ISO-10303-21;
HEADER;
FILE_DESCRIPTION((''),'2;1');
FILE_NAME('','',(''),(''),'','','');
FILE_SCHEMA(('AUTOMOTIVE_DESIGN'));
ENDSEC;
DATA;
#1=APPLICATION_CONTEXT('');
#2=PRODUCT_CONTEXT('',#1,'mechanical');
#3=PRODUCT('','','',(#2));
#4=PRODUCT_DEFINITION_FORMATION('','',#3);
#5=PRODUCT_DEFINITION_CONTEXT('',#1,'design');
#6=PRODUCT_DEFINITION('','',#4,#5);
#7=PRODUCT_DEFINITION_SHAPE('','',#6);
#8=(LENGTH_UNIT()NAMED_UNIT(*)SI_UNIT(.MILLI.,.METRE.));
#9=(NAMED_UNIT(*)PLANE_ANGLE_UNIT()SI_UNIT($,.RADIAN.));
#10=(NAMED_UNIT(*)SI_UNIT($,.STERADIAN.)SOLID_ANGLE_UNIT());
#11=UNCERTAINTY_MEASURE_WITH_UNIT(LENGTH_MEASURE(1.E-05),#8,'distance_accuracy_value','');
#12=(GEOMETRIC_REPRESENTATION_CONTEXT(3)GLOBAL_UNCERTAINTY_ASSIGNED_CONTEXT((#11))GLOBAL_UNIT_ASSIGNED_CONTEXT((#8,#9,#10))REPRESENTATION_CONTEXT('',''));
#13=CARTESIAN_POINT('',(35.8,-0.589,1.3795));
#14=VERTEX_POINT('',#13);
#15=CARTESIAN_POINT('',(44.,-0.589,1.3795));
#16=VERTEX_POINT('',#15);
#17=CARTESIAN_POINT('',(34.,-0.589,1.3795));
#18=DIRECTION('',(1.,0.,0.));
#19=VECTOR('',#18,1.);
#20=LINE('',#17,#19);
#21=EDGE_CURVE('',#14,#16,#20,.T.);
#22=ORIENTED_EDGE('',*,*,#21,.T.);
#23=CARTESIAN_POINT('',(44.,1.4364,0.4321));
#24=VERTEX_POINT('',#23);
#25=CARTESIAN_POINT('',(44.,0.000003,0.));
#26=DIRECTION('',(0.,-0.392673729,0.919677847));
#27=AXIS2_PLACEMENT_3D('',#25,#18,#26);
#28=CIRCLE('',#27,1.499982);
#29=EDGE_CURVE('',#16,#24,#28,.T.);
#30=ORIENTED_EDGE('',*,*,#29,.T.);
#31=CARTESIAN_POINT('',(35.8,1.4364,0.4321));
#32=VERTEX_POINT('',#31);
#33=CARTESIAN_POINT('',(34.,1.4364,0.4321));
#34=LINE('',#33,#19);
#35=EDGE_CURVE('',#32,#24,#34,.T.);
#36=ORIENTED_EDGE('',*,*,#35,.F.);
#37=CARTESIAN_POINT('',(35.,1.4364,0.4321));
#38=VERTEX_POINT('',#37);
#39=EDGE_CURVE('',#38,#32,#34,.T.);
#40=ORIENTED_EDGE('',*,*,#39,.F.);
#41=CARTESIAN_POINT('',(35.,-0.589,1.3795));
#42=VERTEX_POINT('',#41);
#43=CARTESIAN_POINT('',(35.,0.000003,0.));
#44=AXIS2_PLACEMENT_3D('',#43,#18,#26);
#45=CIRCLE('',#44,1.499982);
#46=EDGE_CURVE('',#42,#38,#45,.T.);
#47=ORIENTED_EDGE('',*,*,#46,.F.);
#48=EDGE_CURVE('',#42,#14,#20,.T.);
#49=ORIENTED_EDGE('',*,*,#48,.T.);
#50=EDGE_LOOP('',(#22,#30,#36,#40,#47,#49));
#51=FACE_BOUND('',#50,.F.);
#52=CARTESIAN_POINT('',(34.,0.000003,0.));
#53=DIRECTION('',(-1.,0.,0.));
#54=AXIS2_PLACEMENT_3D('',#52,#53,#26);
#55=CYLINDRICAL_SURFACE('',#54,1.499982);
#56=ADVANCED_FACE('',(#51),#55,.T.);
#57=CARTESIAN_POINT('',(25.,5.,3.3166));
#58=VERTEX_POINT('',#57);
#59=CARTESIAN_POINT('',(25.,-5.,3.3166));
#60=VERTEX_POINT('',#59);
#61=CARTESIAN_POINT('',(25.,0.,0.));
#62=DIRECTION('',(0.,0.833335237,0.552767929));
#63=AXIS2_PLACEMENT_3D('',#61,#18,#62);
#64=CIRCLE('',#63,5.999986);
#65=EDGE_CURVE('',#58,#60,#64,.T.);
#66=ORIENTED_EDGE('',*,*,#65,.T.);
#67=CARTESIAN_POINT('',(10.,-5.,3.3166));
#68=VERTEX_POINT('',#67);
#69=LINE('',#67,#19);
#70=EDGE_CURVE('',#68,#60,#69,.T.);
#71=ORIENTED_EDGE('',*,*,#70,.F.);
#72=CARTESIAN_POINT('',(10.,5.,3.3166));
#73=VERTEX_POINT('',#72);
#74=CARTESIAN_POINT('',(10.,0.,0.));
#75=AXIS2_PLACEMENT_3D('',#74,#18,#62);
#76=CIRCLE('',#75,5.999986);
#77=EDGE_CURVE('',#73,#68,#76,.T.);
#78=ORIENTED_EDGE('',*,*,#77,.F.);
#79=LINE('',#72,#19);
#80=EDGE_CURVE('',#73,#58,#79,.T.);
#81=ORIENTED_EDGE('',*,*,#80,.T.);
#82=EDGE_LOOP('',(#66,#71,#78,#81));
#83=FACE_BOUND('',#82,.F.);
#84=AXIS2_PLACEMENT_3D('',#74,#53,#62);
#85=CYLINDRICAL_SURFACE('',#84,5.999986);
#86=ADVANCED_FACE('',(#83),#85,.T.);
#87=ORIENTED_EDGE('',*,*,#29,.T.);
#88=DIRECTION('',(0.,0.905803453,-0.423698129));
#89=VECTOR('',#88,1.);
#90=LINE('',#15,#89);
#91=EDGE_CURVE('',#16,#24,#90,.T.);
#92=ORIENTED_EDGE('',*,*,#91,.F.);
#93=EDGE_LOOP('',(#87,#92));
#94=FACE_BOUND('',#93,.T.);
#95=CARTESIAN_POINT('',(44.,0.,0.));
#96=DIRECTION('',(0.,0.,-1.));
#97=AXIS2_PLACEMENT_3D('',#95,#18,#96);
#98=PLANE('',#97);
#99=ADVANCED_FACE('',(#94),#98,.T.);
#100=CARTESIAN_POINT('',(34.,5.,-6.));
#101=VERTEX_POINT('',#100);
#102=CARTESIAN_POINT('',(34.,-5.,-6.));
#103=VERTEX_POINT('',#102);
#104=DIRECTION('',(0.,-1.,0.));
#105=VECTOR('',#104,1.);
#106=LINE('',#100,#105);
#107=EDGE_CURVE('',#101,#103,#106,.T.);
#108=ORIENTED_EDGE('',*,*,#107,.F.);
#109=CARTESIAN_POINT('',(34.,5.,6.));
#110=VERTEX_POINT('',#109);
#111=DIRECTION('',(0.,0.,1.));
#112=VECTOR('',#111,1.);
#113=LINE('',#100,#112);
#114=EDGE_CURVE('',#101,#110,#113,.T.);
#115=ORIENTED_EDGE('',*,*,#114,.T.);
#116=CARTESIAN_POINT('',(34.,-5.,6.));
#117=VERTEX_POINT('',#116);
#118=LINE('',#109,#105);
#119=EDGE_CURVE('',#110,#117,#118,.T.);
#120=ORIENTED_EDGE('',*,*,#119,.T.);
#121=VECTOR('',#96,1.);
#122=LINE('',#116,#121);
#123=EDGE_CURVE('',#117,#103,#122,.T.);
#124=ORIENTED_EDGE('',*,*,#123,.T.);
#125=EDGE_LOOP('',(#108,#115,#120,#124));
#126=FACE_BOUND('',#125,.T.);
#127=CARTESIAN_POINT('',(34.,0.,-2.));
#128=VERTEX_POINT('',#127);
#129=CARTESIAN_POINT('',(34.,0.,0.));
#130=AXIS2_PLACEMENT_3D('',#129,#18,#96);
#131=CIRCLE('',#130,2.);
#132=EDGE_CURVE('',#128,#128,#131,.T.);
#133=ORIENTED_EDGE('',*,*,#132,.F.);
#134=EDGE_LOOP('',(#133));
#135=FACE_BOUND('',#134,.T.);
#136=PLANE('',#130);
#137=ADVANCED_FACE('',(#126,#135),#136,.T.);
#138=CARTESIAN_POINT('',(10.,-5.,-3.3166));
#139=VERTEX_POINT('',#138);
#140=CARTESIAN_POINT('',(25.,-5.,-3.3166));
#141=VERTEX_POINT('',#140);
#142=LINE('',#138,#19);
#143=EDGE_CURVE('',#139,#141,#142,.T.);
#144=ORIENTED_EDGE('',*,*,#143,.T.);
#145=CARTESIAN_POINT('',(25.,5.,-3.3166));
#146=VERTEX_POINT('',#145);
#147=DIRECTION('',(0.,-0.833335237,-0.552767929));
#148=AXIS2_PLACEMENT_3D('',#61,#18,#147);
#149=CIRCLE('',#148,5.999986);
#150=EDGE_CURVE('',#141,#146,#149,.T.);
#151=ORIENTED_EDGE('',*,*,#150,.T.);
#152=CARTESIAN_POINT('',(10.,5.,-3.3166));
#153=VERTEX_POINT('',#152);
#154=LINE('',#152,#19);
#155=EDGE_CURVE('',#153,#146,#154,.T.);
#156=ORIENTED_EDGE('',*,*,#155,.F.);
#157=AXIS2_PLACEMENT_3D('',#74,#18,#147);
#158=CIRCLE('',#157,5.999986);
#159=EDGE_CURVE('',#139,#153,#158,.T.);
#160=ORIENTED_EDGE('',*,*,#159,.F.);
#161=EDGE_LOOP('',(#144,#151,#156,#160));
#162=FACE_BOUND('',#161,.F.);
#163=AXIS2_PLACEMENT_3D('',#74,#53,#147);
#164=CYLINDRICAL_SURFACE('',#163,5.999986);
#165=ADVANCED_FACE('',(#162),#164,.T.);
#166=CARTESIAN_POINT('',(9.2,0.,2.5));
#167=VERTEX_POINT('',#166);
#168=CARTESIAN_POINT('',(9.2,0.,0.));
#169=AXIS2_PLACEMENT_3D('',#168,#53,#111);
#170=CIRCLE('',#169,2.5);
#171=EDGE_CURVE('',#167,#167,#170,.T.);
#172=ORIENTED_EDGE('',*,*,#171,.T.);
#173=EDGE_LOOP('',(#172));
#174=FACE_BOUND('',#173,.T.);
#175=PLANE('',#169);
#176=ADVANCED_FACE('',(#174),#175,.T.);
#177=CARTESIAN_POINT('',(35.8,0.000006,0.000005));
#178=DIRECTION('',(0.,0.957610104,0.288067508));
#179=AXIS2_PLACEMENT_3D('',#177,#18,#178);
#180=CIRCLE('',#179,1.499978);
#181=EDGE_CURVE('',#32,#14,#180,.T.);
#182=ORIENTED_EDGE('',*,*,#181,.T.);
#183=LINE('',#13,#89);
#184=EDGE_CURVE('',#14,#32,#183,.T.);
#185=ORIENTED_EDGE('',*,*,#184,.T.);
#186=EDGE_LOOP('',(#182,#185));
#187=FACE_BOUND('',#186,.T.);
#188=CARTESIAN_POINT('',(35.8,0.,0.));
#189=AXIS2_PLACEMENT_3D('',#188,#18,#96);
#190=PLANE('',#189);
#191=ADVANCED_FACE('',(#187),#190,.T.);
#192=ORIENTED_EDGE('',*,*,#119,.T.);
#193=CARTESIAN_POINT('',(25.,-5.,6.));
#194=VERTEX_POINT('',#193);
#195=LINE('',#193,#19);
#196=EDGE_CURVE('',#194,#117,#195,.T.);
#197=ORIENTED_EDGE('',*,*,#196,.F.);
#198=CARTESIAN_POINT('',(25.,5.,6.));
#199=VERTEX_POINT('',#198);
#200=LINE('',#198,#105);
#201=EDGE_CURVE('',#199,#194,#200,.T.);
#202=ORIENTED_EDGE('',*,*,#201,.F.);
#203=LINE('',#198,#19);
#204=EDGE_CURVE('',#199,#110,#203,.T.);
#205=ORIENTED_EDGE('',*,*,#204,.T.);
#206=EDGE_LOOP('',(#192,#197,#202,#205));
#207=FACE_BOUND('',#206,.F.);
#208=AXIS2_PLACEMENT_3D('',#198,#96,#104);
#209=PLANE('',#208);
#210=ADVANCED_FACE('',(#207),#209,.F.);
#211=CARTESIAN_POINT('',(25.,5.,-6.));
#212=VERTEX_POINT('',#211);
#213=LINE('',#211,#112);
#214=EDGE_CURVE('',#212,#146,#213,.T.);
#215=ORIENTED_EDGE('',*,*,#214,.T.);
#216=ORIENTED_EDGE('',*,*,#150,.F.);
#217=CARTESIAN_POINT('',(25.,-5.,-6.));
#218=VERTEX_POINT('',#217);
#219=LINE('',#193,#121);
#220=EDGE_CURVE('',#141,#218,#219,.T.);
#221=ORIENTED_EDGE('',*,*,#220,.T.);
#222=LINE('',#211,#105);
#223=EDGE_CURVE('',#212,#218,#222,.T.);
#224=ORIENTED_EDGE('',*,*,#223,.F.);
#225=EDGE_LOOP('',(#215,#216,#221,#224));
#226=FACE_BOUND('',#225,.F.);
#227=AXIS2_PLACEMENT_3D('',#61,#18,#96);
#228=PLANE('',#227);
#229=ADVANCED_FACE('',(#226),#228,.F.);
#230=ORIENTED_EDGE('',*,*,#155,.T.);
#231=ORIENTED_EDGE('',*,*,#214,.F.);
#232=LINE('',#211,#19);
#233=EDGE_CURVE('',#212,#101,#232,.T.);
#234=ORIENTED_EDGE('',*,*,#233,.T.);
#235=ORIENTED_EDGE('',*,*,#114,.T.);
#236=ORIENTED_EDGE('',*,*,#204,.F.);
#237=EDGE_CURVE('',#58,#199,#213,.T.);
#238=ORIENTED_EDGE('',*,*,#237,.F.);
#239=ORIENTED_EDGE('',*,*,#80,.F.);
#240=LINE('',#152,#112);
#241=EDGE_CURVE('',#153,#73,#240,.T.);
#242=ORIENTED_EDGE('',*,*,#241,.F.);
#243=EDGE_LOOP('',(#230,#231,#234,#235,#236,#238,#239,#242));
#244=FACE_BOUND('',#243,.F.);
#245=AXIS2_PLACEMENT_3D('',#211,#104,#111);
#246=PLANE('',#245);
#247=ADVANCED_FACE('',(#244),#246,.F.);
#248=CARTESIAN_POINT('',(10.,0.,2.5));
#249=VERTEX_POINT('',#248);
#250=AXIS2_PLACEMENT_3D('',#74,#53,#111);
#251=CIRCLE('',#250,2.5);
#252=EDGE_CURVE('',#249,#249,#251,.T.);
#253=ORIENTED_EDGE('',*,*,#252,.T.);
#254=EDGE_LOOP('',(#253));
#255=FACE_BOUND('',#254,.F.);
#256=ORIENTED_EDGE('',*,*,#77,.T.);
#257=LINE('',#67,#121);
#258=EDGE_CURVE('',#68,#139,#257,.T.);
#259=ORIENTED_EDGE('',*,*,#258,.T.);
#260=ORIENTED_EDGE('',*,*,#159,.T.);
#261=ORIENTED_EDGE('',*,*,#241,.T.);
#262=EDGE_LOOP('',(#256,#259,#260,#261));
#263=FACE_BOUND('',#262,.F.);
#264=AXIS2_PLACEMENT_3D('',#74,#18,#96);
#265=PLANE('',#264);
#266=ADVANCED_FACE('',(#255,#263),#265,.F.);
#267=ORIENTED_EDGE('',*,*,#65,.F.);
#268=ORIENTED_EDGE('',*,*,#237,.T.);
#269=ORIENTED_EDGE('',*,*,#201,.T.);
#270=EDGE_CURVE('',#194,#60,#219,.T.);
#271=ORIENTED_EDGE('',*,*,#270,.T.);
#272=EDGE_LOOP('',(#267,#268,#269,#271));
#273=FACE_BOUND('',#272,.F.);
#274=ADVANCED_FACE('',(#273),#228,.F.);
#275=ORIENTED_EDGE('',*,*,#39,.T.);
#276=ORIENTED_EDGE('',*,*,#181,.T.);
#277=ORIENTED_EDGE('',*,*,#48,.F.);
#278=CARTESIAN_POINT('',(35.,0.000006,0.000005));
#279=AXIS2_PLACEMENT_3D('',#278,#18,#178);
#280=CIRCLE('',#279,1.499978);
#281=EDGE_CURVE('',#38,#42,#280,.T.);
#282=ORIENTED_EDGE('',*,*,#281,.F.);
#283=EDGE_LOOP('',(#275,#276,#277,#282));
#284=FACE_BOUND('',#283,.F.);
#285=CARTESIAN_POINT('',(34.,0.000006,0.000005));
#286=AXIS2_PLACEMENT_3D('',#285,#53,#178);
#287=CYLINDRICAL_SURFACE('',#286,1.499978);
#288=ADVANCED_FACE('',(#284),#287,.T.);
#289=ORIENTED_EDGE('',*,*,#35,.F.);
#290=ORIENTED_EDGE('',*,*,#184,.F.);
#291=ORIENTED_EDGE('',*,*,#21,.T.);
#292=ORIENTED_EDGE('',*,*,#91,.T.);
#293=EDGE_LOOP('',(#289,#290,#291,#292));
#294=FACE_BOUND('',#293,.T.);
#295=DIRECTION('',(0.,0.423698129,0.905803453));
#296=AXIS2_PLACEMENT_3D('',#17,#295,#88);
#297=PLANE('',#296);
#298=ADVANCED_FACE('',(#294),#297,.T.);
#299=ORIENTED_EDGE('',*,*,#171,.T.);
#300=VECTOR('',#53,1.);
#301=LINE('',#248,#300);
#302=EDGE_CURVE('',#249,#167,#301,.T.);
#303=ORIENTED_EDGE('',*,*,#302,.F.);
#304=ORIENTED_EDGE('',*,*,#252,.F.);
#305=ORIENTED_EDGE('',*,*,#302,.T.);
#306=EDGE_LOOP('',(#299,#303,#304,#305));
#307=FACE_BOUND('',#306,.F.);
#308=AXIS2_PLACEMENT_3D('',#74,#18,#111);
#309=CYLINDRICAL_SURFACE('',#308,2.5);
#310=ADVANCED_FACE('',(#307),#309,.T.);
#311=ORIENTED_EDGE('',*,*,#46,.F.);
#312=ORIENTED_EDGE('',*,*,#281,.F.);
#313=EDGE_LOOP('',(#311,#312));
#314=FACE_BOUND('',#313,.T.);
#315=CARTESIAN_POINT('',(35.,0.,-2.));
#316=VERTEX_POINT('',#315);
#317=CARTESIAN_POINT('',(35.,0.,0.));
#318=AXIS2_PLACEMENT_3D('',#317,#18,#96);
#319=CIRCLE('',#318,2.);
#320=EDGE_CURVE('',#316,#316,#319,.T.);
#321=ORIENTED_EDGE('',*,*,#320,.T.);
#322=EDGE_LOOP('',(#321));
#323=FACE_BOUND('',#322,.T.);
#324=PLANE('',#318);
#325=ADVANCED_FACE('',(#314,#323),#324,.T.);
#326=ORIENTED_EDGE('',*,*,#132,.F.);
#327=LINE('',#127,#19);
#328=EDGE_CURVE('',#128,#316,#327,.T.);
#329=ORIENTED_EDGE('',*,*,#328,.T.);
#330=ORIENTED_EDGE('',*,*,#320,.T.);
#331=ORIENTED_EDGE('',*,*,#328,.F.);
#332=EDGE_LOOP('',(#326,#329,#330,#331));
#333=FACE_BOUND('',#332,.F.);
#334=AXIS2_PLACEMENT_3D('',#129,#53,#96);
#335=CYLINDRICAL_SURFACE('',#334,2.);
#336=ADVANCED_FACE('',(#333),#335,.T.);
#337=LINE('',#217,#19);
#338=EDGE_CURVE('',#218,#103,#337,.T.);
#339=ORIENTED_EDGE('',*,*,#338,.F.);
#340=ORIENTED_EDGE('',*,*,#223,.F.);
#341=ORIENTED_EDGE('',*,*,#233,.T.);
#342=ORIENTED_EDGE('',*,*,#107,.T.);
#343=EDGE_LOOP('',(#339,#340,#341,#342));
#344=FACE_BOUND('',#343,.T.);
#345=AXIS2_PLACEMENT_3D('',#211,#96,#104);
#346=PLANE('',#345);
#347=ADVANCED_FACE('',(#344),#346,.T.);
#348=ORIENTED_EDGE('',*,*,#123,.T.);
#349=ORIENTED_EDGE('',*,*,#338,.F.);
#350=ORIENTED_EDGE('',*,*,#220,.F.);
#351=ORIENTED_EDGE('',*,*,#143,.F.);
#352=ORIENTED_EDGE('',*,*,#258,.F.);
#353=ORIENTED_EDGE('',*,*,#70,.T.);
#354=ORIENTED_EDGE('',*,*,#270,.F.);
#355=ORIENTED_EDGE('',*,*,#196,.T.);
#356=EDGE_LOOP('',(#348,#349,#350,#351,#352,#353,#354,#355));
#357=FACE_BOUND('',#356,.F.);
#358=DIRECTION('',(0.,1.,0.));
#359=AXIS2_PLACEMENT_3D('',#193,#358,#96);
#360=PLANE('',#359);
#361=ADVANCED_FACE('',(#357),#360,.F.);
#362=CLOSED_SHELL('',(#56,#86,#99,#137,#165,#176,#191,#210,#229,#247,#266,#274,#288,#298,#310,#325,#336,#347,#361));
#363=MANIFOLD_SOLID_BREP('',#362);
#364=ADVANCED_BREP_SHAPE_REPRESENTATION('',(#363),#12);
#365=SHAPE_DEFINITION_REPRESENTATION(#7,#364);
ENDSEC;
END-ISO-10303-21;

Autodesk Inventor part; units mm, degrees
ref_plane "YZ Plane" through (0, 0, 0) normal (1, 0, 0) x (0, 1, 0)
ref_plane "XZ Plane" through (0, 0, 0) normal (0, 1, 0) x (-1, 0, 0)
ref_plane "Pracovní rovina2" through (10, 0, 0) normal (1, 0, 0) x (0, 0, -1)
sketch "Náčrt1" plane through (10, 0, 0) normal (1, 0, 0) x (0, 0, -1)
  arc A0 (-3.3166, 5) -> (-3.3166, -5) centre (0, 0) ccw projected
  line L0 (3.3166, 5) -> (-3.3166, 5) projected
  arc A1 (3.3166, -5) -> (3.3166, 5) centre (0, 0) ccw projected
  line L1 (-3.3166, -5) -> (3.3166, -5) projected
  point P0 (0, 0)
extrude "Vysunutí1" add sketch "Náčrt1" along normal blind 15
sketch "Náčrt2" plane through (25, 0, 0) normal (1, 0, 0) x (0, 0, -1)
  line L0 (-6, 5) -> (-6, -5) projected
  line L1 (6, 5) -> (-6, 5) projected
  line L2 (6, 5) -> (6, -5) projected
  line L3 (-6, -5) -> (6, -5) projected
  point P0 (0, 0)
extrude "Vysunutí2" add sketch "Náčrt2" along normal blind 9
sketch "Náčrt3" plane through (34, 0, 0) normal (1, 0, 0) x (0, 0, -1)
  arc A0 (-1.3795, -0.589) -> (-0.4321, 1.4364) centre (0, 0) ccw projected
  line L0 (-1.3795, -0.589) -> (-0.4321, 1.4364) projected
  circle A1 centre (0, 0) radius 2 projected
  arc A2 (-0.4321, 1.4364) -> (-1.3795, -0.589) centre (0, 0) ccw projected
extrude "Vysunutí3" add sketch "Náčrt3" along normal blind 1
extrude "Vysunutí4" add sketch "Náčrt3" along normal blind 10 contours L0 A0
extrude "Vysunutí5" add sketch "Náčrt3" along normal blind 1.8 contours A2 L0
sketch "Náčrt4" plane through (10, 0, 0) normal (-1, 0, 0) x (0, 0, 1)
  circle A0 centre (0, 0) radius 2.5
  dimension "d12" = 5
extrude "Vysunutí6" add sketch "Náčrt4" along normal blind 0.8
properties part number "GA12-N20 Motor_finalV"
